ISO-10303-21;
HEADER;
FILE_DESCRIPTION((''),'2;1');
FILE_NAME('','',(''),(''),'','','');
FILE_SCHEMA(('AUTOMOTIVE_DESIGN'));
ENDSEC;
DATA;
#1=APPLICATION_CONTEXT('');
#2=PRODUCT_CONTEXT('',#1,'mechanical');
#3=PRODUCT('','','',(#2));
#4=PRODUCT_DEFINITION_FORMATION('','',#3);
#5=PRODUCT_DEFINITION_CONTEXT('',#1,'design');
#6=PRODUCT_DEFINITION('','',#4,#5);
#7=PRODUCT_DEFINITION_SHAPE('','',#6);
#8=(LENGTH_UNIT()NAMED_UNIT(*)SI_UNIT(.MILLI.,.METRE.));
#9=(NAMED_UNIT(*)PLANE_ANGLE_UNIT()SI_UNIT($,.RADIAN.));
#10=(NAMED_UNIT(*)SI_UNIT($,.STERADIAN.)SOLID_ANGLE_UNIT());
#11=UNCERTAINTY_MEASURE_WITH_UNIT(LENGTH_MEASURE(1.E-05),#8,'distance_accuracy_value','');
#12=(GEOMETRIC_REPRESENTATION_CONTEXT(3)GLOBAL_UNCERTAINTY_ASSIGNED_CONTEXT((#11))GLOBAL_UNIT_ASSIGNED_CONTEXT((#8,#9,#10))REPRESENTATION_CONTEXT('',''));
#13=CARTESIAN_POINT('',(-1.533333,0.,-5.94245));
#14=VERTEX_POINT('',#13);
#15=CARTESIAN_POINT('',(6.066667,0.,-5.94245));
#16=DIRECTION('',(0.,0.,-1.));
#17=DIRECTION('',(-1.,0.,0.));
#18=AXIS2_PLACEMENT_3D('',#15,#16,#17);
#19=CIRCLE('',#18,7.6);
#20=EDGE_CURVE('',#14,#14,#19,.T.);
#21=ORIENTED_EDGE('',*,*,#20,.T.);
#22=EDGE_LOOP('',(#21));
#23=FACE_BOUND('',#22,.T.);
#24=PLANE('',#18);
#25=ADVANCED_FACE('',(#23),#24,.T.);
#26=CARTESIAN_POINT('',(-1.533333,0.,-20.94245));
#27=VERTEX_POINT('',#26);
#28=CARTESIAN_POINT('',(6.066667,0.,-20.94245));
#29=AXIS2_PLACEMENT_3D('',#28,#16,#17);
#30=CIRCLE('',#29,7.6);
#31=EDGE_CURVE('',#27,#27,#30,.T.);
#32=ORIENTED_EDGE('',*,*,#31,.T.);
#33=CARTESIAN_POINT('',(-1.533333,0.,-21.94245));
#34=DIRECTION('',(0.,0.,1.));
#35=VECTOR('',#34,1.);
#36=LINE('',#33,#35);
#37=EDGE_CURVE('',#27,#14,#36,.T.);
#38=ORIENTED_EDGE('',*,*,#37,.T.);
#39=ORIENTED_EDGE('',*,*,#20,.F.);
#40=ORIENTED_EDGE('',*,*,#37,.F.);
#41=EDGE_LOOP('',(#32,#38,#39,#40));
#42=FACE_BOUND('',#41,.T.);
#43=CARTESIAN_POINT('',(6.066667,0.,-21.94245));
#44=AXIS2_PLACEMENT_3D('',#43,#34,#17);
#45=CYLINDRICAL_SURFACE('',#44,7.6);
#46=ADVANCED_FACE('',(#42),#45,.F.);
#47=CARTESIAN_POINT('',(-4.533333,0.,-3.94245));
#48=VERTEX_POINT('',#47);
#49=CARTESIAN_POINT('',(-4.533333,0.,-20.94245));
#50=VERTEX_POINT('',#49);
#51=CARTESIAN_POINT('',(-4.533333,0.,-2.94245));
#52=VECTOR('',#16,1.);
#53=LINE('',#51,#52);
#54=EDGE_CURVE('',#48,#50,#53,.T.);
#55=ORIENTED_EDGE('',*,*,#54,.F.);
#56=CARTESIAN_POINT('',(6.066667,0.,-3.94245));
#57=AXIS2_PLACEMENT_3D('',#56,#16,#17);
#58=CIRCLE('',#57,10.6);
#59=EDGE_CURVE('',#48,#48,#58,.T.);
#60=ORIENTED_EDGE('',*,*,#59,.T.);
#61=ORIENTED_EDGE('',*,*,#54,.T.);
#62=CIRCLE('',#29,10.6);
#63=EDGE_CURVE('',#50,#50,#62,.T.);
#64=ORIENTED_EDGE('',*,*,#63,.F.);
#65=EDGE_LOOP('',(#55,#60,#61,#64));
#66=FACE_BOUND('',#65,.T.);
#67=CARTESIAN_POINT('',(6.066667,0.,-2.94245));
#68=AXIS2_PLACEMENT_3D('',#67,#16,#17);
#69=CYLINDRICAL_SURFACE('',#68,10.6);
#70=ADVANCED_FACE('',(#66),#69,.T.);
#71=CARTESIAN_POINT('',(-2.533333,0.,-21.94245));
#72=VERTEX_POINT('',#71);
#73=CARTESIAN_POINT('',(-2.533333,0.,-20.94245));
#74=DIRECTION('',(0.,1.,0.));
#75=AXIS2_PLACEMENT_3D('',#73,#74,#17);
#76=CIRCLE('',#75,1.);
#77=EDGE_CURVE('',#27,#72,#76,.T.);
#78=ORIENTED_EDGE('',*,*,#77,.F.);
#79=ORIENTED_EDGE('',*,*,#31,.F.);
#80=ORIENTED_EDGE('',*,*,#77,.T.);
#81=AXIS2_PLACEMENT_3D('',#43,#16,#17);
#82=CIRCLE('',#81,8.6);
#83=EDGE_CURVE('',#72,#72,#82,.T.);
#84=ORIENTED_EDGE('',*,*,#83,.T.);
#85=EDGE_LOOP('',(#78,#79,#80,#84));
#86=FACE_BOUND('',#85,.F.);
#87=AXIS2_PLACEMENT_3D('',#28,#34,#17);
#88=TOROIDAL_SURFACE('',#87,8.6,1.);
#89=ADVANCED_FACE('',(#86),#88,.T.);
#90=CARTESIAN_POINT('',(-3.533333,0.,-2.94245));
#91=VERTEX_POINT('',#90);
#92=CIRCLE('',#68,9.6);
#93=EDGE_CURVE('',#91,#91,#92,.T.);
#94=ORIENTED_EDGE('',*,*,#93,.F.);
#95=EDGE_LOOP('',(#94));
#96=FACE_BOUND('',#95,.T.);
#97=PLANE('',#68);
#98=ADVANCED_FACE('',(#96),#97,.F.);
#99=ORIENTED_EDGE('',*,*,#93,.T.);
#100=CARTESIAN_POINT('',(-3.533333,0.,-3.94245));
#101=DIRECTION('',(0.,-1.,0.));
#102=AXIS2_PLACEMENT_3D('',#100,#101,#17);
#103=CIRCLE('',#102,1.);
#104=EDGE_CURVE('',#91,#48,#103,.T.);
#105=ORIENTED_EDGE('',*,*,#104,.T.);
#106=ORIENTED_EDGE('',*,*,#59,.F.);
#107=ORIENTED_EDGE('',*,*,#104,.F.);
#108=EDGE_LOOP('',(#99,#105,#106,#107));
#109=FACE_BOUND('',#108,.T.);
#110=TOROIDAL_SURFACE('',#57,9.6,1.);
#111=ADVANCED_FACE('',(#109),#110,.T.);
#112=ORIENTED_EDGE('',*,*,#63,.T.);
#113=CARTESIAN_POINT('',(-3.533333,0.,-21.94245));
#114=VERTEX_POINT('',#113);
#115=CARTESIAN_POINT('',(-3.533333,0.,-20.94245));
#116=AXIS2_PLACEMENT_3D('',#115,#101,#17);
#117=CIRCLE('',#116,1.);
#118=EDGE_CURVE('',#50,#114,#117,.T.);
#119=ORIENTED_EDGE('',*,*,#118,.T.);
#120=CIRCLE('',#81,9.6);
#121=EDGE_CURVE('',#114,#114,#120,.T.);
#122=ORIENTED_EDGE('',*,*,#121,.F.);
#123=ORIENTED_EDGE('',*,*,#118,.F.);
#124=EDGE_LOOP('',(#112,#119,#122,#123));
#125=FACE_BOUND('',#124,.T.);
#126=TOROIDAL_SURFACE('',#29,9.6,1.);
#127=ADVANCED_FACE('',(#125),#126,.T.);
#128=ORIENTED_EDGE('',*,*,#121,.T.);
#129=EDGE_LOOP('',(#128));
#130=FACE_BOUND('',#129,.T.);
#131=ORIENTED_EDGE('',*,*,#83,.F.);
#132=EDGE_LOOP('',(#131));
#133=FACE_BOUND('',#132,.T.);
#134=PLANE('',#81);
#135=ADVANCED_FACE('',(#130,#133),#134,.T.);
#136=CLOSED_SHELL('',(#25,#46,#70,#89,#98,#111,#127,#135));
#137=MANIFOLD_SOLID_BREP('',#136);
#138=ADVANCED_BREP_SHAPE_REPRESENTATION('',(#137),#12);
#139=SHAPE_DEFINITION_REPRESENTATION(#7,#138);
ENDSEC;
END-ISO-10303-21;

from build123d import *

# Parameters (mm, degrees)
F2_R = 1


with BuildPart() as f1:
    # F0 (on Front) → F1 (revolve)
    with BuildSketch(Plane.XZ):
        Polygon((-1.5333333333, -21.9424498901), (-1.5333333333, -5.9424498901), (6.0666666667, -5.9424498901), (6.0666666667, -2.9424498901), (-4.5333333333, -2.9424498901), (-4.5333333333, -21.9424498901), align=None)
    revolve(axis=Axis((6.0666666667, 0, -4.4424498901), (0, 0, -1)))

    # F2
    f2_edges = [f1.edges().sort_by_distance(p)[0] for p in [
        (16.666667, 0, -21.94245),
        (13.666667, 0, -21.94245),
        (16.666667, 0, -2.94245),
        (-4.533333, 0, -12.44245),
    ]]
    fillet(f2_edges, radius=F2_R)


solid = f1.part
